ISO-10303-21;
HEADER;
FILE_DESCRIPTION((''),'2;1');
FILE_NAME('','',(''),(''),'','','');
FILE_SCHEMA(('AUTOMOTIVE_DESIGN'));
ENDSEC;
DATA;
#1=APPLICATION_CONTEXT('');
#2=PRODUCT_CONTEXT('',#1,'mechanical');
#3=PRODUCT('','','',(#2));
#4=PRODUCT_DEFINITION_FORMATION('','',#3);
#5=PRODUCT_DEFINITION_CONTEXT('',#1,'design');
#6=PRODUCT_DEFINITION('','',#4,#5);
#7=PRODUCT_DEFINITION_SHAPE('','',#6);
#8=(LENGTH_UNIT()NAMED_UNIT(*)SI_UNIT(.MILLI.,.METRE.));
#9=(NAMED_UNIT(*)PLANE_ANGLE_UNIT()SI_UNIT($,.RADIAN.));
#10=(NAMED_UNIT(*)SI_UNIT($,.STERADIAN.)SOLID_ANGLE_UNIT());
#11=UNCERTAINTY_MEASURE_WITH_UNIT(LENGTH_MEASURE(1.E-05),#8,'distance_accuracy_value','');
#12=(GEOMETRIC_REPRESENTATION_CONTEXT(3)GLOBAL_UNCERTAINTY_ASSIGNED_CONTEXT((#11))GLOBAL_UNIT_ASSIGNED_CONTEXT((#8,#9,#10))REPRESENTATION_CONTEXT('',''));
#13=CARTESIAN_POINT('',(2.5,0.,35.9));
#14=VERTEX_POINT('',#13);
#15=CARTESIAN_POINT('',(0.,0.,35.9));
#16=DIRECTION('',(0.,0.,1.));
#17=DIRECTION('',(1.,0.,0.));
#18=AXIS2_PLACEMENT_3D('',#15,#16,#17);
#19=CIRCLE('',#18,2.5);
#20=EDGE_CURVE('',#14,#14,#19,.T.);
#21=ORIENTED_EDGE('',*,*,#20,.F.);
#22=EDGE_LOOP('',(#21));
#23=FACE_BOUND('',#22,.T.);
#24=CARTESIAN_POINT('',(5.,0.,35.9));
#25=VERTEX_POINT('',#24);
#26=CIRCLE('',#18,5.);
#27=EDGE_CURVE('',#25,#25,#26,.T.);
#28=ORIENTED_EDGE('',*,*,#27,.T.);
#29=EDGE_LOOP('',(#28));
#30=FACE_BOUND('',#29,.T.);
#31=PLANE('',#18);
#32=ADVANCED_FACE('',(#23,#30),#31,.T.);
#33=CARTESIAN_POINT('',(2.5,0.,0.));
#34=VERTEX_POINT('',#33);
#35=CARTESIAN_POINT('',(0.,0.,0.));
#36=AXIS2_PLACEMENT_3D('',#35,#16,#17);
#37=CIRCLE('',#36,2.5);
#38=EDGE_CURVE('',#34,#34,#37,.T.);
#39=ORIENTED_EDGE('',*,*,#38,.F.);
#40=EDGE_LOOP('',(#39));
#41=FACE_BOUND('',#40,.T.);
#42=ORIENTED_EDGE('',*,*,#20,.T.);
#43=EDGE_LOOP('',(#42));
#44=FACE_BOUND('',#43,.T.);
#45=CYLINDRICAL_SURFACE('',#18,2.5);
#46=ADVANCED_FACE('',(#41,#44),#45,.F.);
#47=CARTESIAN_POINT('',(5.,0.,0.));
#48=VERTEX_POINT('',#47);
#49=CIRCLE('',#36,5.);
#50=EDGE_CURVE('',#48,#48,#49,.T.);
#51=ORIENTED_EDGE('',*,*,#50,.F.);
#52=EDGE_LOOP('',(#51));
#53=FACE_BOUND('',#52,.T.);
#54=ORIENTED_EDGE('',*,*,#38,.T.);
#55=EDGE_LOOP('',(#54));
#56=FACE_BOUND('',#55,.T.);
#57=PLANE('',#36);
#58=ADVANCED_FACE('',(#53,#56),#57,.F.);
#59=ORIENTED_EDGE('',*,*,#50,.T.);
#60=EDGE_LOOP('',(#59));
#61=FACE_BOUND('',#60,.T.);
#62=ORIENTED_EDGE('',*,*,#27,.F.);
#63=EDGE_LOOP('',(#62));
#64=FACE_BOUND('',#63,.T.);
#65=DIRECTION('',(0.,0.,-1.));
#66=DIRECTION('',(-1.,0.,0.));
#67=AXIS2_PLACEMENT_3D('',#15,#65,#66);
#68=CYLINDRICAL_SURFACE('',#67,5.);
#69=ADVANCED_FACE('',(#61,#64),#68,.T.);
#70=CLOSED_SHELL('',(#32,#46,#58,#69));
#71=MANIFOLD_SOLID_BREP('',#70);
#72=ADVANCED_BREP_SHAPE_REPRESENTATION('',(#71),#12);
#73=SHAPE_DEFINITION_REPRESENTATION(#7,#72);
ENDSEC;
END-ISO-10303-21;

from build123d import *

# Parameters (mm, degrees)
SKETCH1_R                 = 5
BOSS_EXTRUDE1_DEPTH       = 35.9
F_5_0MM_DOWEL_HOLE1_D     = 5
F_5_0MM_DOWEL_HOLE1_DEPTH = 35.9


with BuildPart() as part:
    # Sketch1 → Boss-Extrude1 (new body)
    with BuildSketch(Plane.XY):
        Circle(SKETCH1_R)
    extrude(amount=BOSS_EXTRUDE1_DEPTH)

    # Ø5.0mm Dowel Hole1
    with Locations(Plane.XY.offset(35.9)):
        with Locations((0, 0)):
            Hole(F_5_0MM_DOWEL_HOLE1_D / 2, depth=F_5_0MM_DOWEL_HOLE1_DEPTH)


solid = part.part
